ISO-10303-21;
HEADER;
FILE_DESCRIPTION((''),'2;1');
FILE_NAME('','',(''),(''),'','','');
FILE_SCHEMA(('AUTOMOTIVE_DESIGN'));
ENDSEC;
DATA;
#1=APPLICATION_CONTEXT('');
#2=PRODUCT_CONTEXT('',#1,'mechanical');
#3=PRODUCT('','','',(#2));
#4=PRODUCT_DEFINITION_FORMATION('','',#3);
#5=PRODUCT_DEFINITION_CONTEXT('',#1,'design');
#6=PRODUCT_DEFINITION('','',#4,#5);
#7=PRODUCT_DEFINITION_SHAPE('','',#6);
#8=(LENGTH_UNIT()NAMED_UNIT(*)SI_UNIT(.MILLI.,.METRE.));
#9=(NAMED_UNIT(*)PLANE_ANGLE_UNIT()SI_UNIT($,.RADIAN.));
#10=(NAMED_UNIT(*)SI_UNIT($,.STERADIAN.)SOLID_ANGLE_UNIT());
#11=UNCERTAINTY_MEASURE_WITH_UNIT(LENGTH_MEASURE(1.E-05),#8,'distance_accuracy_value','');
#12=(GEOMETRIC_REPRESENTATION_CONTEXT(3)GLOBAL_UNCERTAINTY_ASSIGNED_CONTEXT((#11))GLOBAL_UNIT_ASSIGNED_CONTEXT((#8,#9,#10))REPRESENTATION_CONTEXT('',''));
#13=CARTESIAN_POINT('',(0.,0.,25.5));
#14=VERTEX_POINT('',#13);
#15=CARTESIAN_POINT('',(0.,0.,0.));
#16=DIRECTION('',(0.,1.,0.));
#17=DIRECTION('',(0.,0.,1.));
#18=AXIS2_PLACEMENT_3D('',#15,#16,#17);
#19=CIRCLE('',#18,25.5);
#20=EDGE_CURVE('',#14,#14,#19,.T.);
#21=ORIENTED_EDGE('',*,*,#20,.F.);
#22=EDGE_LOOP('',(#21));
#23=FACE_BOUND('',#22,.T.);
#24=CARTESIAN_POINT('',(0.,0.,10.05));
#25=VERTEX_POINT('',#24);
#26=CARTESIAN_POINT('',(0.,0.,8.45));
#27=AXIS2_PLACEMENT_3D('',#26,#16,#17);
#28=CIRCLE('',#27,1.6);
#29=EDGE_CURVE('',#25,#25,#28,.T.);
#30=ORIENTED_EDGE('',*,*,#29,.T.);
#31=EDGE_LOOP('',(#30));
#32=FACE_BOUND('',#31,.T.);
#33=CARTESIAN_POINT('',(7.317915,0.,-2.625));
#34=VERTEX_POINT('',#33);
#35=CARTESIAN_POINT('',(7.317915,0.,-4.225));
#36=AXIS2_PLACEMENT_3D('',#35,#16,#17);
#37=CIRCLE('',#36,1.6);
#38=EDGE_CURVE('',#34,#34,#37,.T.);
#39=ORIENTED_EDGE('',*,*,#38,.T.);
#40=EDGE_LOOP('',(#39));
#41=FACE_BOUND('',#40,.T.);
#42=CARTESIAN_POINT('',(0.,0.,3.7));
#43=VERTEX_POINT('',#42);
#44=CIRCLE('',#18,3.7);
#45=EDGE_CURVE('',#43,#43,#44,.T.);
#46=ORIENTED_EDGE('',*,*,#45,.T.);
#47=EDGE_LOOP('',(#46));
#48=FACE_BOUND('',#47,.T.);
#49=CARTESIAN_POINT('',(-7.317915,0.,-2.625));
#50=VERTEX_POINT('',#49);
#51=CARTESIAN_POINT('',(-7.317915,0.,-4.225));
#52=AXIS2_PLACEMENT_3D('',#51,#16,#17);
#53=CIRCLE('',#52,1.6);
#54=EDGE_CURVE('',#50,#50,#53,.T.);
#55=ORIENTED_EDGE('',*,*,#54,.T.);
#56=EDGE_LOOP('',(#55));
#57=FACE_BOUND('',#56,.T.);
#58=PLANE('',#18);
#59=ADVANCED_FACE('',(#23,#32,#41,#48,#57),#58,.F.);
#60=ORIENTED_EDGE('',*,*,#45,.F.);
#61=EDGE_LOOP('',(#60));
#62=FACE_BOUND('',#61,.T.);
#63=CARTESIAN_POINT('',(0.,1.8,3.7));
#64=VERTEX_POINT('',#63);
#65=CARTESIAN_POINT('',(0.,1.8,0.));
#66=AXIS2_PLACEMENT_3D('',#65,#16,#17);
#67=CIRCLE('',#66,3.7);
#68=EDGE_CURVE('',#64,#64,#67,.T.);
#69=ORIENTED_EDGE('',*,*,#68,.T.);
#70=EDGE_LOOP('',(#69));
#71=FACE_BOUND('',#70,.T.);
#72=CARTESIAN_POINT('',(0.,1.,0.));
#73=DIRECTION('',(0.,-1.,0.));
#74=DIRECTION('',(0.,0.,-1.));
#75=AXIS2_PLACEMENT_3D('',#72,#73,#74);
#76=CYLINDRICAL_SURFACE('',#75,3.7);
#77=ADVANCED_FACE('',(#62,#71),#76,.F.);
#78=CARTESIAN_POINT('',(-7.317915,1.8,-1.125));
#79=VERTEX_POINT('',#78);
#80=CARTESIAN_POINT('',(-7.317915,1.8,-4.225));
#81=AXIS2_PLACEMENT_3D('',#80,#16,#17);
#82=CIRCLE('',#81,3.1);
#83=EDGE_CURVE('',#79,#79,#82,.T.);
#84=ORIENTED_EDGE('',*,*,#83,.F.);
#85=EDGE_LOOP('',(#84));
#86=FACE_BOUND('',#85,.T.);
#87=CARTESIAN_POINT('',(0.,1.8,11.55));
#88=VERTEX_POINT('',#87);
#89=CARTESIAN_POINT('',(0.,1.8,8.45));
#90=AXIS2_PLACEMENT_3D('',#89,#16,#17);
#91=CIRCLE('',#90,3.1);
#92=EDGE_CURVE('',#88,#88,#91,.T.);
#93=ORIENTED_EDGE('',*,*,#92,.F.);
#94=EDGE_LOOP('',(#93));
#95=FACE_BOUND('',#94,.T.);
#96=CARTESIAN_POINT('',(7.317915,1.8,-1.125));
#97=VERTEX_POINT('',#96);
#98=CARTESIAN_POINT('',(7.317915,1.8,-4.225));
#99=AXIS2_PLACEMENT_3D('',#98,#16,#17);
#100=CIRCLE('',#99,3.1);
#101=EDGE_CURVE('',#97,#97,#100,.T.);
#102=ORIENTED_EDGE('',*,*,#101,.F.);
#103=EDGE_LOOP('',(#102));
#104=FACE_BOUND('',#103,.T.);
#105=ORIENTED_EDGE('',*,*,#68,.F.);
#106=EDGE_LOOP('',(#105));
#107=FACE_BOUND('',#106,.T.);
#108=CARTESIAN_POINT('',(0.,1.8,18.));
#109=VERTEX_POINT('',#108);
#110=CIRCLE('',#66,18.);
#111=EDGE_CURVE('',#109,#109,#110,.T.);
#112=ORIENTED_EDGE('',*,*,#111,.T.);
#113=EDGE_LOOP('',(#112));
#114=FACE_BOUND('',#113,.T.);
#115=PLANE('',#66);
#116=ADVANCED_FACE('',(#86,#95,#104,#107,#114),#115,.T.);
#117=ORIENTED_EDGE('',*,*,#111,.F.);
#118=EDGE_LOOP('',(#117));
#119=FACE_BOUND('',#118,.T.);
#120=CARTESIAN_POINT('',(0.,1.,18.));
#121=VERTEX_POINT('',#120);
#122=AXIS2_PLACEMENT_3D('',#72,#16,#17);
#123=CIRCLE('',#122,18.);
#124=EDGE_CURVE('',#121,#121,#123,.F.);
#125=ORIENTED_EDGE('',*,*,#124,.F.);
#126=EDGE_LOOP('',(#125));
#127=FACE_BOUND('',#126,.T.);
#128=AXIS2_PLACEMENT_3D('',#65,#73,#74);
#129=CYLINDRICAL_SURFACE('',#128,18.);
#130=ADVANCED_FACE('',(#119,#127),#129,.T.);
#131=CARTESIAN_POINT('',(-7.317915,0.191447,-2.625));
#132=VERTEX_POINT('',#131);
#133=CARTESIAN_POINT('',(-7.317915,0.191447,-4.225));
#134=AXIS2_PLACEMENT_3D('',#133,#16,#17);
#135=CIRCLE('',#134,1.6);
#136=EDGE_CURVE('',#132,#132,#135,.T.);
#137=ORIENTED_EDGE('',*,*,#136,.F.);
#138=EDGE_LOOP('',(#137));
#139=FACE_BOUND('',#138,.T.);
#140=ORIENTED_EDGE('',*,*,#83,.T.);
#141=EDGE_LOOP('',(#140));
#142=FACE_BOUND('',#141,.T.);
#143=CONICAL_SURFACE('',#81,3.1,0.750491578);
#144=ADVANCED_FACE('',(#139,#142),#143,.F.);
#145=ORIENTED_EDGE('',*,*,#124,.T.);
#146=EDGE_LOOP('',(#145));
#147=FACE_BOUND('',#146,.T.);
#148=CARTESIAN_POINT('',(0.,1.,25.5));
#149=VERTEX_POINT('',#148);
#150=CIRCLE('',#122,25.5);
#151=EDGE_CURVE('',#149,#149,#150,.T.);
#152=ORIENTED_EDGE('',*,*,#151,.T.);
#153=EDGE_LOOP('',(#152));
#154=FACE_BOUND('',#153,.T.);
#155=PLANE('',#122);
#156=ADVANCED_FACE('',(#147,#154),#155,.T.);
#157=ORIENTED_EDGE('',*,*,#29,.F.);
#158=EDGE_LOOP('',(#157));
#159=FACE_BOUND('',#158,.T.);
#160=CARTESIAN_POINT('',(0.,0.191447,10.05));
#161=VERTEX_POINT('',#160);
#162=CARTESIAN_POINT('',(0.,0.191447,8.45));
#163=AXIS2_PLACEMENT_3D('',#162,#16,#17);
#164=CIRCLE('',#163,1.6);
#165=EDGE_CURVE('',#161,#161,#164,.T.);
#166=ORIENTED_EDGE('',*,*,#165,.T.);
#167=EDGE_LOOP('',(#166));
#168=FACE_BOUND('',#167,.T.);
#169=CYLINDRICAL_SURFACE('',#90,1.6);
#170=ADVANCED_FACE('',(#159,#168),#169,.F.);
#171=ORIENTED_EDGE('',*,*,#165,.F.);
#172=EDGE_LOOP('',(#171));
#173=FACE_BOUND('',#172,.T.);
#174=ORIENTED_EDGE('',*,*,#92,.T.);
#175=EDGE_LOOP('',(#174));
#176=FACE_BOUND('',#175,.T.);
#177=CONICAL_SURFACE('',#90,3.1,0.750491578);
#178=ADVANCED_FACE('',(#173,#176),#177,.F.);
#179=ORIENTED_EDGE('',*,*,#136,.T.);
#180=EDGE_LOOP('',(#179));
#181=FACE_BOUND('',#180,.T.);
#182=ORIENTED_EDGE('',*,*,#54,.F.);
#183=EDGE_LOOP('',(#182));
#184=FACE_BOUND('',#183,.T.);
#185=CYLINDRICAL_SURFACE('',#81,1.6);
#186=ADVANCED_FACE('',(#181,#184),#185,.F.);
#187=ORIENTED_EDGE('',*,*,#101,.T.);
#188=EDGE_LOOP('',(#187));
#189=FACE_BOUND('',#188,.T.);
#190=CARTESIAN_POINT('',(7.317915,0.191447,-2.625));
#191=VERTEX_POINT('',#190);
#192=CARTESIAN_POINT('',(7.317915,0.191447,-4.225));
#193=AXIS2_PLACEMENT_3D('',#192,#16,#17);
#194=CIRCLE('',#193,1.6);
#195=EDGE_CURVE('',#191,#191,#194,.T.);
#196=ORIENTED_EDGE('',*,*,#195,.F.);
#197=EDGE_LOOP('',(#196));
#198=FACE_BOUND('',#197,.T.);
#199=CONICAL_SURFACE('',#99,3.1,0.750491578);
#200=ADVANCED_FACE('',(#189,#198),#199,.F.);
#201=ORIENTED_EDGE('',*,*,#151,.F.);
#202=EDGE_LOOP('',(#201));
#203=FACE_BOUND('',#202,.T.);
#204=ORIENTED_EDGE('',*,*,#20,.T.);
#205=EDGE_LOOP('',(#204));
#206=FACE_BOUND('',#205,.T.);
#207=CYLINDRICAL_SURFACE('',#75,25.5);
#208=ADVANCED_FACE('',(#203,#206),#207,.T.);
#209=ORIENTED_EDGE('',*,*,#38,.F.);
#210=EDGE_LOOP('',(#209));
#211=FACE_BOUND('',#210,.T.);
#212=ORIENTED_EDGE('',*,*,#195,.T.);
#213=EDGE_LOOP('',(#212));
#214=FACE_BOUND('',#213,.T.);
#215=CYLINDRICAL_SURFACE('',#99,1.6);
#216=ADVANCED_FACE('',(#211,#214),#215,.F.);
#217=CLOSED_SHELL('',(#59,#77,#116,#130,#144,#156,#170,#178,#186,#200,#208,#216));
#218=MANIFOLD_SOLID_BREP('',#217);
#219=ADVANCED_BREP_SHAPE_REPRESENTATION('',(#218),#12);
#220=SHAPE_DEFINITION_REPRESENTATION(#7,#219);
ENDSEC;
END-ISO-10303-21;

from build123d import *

# Parameters (mm, degrees)
SKETCH1_R           = 25.5
SKETCH1_R_2         = 3.7
BOSS_EXTRUDE1_DEPTH = 1
SKETCH1_3_R         = 18
SKETCH1_3_R_2       = 3.7
BOSS_EXTRUDE2_DEPTH = 1.8
HOLE1_D             = 3.2
HOLE1_DEPTH         = 7.857098765
HOLE1_CSINK_D       = 6.2
HOLE1_CSINK_ANGLE   = 86


with BuildPart() as part:
    # Sketch1 → Boss-Extrude1 (new body)
    with BuildSketch(Plane(origin=(0, 0, 0), x_dir=(1, 0, 0), z_dir=(0, 1, 0))):
        Circle(SKETCH1_R)
        Circle(SKETCH1_R_2, mode=Mode.SUBTRACT)
    extrude(amount=BOSS_EXTRUDE1_DEPTH)

    # Sketch1<3> → Boss-Extrude2 (add)
    with BuildSketch(Plane(origin=(0, 0, 0), x_dir=(1, 0, 0), z_dir=(0, 1, 0))):
        Circle(SKETCH1_3_R)
        Circle(SKETCH1_3_R_2, mode=Mode.SUBTRACT)
    extrude(amount=BOSS_EXTRUDE2_DEPTH)

    # Hole1
    with Locations(Plane(origin=(7.317914662, 1.8, -4.225), x_dir=(0, 0, 1), z_dir=(0, 1, 0))):
        with Locations((0, 0), (0, -14.635829324), (12.675, -7.317914662)):
            CounterSinkHole(HOLE1_D / 2, HOLE1_CSINK_D / 2, depth=HOLE1_DEPTH, counter_sink_angle=HOLE1_CSINK_ANGLE)


solid = part.part
